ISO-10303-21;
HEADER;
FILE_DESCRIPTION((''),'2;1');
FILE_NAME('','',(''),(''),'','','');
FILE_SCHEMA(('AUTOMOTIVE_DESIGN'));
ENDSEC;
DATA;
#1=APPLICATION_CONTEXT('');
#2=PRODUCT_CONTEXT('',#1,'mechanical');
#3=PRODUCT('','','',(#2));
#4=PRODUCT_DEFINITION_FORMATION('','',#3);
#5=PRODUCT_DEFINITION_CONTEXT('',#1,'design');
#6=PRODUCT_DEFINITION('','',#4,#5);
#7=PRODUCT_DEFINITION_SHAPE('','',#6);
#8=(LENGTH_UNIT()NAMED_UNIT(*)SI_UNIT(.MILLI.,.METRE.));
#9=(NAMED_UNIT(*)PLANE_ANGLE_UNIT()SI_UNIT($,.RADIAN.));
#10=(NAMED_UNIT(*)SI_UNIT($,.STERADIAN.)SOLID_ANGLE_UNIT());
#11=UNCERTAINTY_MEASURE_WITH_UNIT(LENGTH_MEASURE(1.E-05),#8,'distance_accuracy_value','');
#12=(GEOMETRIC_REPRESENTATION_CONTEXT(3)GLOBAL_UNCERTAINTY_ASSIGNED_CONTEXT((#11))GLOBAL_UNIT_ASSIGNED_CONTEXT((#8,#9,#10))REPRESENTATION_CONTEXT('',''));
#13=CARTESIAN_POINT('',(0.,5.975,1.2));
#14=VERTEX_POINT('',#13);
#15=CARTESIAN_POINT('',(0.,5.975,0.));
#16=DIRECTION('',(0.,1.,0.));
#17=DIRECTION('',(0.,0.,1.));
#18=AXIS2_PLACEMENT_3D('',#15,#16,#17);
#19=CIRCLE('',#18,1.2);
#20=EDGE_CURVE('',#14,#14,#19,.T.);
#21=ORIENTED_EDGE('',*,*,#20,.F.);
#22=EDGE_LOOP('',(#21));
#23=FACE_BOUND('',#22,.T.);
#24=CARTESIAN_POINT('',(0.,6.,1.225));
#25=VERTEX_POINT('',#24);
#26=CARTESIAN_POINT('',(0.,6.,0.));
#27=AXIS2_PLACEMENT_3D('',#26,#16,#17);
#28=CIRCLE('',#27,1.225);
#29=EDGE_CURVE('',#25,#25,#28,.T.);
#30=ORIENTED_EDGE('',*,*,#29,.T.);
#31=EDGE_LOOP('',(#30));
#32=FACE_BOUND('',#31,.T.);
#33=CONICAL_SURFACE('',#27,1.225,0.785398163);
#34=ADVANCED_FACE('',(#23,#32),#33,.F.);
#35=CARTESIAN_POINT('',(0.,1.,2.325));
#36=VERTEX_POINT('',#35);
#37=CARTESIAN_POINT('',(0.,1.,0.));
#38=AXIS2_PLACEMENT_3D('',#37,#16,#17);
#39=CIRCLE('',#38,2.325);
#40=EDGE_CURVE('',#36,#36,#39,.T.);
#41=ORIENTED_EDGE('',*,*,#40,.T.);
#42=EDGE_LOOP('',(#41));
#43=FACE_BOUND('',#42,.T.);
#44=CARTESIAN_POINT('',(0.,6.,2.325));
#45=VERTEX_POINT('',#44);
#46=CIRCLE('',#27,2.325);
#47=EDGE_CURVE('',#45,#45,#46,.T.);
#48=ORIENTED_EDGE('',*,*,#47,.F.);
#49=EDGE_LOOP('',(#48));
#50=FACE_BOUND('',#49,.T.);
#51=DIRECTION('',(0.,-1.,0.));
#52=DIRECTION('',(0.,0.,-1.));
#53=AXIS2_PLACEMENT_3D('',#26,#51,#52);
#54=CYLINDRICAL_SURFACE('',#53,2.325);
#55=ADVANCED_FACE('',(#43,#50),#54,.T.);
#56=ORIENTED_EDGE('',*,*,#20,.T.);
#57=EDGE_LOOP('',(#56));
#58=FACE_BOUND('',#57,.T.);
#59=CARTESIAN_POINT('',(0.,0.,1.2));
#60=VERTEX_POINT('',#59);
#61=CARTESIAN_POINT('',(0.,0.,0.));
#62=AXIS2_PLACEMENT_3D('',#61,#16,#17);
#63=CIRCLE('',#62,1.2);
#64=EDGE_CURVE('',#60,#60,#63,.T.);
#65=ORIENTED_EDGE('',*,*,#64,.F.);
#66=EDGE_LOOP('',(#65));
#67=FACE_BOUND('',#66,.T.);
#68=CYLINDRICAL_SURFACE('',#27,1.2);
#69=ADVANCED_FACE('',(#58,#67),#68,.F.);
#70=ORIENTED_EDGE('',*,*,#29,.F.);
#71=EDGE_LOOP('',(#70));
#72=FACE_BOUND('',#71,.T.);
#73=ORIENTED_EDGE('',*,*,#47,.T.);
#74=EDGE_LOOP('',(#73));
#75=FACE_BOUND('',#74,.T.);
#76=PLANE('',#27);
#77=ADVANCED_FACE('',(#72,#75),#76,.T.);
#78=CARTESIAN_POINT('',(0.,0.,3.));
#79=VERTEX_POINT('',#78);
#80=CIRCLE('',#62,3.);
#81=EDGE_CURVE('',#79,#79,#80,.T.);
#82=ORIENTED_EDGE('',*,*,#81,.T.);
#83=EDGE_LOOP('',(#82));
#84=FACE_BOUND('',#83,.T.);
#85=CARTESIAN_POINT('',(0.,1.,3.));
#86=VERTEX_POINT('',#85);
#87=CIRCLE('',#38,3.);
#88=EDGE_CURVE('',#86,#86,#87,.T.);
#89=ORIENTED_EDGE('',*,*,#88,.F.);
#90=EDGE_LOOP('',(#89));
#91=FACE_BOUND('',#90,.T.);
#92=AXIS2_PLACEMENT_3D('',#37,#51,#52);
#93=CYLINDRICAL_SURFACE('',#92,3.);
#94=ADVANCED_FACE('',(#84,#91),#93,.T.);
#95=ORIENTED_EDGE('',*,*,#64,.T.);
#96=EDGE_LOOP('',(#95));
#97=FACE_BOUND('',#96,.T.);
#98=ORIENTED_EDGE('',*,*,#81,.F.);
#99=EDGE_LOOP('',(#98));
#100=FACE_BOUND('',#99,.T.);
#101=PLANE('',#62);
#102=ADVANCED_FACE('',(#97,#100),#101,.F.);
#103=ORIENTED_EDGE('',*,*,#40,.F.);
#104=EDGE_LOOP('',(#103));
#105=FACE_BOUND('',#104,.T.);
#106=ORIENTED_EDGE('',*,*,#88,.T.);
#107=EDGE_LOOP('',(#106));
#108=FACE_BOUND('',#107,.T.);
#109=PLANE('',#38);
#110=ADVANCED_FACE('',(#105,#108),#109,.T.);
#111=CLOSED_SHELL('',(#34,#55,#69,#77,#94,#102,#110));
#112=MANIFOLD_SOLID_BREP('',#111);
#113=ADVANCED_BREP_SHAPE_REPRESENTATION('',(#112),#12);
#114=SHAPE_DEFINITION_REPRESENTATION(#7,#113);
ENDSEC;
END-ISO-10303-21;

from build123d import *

# Parameters (mm, degrees)
SKETCH1_R                      = 3
BOSS_EXTRUDE1_DEPTH            = 1
SKETCH2_R                      = 2.325
BOSS_EXTRUDE2_DEPTH            = 5
M2_CLEARANCE_HOLE1_D           = 2.4
M2_CLEARANCE_HOLE1_CSINK_D     = 2.45
M2_CLEARANCE_HOLE1_CSINK_ANGLE = 90


with BuildPart() as part:
    # Sketch1 → Boss-Extrude1 (new body)
    with BuildSketch(Plane(origin=(0, 0, 0), x_dir=(1, 0, 0), z_dir=(0, 1, 0))):
        with Locations(Location((0, 0, 0), (0, 0, 270))):
            Circle(SKETCH1_R)
    extrude(amount=BOSS_EXTRUDE1_DEPTH)

    # Sketch2 → Boss-Extrude2 (add)
    with BuildSketch(Plane(origin=(0, 1, 0), x_dir=(1, 0, 0), z_dir=(0, 1, 0))):
        with Locations(Location((0, 0, 0), (0, 0, 270))):
            Circle(SKETCH2_R)
    extrude(amount=BOSS_EXTRUDE2_DEPTH)

    # M2 Clearance Hole1 (through all)
    with Locations(Plane(origin=(0, 6, 0), x_dir=(1, 0, 0), z_dir=(0, 1, 0))):
        with Locations((0, 0)):
            CounterSinkHole(M2_CLEARANCE_HOLE1_D / 2, M2_CLEARANCE_HOLE1_CSINK_D / 2, counter_sink_angle=M2_CLEARANCE_HOLE1_CSINK_ANGLE)


solid = part.part
